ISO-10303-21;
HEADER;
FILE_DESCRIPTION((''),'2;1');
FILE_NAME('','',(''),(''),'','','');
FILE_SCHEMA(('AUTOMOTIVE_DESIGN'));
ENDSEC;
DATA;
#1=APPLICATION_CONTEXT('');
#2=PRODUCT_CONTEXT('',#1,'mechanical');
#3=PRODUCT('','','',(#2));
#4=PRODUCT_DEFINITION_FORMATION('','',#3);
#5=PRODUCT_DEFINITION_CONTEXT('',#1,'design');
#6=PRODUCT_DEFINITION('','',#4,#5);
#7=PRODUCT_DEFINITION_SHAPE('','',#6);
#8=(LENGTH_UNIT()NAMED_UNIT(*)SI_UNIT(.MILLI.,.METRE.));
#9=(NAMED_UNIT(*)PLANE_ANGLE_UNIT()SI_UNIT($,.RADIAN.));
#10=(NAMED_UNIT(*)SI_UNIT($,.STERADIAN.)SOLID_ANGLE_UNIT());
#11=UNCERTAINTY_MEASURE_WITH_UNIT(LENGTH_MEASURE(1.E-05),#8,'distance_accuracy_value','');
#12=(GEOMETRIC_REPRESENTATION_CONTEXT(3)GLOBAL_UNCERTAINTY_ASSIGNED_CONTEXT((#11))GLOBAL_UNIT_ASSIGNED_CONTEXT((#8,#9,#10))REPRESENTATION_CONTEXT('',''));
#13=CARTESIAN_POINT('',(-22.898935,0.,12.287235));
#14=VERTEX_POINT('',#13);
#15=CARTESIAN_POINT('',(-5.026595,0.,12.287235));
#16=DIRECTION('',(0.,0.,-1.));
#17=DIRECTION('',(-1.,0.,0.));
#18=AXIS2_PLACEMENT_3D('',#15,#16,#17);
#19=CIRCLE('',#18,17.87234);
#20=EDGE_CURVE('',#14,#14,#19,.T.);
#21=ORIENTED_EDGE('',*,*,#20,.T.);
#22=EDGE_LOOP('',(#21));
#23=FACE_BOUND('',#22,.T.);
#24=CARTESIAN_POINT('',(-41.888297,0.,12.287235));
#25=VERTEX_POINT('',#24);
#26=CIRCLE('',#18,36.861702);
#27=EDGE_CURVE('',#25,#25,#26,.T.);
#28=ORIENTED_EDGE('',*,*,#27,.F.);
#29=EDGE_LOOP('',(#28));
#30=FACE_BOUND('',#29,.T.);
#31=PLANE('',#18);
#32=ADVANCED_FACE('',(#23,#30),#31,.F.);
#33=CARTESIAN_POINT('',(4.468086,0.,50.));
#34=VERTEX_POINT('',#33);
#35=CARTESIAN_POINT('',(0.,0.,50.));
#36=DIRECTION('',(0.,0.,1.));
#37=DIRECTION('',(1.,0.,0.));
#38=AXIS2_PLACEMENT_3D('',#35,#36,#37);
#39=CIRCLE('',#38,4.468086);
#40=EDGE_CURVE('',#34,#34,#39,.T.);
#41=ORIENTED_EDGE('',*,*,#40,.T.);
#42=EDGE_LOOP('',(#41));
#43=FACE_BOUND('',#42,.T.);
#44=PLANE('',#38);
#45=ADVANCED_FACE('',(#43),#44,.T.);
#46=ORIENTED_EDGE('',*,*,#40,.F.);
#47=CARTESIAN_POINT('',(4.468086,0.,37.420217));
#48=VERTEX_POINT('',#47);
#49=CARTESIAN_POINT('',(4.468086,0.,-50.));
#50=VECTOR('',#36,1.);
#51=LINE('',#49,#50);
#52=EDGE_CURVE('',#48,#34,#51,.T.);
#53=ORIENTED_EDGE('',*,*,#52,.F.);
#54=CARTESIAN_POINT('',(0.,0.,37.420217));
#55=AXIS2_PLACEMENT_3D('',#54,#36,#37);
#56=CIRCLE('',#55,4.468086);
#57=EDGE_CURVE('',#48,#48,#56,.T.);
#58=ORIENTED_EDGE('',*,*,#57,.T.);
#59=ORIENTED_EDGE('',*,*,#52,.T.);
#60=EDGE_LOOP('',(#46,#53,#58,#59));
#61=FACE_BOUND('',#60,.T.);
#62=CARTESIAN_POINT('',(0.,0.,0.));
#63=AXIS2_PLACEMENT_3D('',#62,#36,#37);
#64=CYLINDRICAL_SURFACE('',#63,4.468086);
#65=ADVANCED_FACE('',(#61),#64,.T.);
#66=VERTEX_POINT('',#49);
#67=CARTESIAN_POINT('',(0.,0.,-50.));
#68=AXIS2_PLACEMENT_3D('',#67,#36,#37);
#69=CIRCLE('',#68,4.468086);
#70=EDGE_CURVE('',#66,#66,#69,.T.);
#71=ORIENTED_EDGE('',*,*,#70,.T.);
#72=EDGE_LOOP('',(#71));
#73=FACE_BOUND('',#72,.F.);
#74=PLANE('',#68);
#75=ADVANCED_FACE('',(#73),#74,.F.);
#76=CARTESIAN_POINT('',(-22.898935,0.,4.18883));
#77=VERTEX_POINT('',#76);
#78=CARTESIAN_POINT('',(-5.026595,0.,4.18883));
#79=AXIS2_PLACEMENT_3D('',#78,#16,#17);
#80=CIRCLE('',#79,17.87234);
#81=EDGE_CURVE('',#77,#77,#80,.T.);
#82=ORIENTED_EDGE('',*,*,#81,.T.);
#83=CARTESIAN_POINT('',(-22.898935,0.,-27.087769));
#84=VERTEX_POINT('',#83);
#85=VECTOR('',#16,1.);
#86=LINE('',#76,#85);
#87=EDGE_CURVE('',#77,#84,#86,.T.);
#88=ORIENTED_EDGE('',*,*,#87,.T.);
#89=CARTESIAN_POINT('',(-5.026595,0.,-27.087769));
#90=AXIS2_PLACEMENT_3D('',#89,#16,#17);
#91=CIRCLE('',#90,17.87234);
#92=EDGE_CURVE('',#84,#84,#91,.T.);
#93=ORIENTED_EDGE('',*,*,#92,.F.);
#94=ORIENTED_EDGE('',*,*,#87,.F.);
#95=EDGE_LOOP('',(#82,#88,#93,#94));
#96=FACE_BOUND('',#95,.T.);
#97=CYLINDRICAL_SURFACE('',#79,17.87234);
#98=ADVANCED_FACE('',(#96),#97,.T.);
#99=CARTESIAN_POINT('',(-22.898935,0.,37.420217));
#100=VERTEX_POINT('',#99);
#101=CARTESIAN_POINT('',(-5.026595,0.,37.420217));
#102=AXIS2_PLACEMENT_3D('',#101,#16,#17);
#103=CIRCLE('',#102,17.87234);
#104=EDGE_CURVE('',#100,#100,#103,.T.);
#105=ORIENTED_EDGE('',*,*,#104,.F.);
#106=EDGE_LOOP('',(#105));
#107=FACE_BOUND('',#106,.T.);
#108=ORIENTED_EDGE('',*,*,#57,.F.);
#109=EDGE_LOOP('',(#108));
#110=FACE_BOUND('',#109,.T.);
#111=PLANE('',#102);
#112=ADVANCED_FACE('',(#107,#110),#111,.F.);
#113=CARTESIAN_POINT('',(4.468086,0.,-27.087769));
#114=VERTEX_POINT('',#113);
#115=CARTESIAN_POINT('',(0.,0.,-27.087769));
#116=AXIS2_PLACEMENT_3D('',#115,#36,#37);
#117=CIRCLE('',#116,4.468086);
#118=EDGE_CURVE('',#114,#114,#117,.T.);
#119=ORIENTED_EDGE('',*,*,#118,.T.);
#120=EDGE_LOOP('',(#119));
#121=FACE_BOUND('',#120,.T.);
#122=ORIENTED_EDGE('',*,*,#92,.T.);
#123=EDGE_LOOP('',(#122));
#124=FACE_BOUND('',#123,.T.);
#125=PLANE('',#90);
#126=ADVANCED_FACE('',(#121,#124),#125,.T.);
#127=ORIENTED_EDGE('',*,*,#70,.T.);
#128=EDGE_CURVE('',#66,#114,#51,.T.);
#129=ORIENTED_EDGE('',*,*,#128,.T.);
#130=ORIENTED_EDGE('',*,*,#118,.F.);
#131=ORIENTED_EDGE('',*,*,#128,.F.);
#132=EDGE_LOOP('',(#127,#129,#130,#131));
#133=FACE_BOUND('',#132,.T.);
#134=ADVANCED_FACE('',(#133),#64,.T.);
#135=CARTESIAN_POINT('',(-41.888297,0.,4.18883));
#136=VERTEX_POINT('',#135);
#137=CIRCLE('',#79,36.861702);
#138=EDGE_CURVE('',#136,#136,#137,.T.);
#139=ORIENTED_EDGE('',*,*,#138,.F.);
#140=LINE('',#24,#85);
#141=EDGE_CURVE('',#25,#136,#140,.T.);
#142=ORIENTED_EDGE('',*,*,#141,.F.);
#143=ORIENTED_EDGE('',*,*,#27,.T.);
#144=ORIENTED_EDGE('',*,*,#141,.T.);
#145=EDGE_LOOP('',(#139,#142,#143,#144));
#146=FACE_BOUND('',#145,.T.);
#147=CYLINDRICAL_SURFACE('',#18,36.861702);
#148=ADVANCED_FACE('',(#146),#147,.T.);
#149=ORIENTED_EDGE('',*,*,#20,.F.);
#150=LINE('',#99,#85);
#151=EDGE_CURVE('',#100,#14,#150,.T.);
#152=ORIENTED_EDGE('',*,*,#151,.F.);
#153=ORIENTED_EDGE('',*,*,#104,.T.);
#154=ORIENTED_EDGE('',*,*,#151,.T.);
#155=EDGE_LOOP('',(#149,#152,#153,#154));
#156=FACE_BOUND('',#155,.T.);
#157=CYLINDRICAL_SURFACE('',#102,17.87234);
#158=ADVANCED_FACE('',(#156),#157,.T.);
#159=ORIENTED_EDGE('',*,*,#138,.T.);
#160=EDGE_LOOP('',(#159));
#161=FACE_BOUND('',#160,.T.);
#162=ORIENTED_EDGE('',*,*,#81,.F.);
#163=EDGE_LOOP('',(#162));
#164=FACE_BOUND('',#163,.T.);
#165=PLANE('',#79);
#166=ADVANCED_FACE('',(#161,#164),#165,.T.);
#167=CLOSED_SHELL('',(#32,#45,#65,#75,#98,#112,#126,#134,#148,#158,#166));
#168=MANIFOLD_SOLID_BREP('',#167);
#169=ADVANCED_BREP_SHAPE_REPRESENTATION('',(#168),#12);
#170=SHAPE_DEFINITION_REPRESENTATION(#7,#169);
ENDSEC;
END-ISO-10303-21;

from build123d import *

# Parameters (mm, degrees)
F0_R     = 4.468086
F1_DEPTH = 50


with BuildPart() as f1:
    # F0 (on Top) → F1 (new body, symmetric)
    with BuildSketch(Plane.XY):
        Circle(F0_R)
    extrude(amount=F1_DEPTH, both=True)

    # F2 (on Front) → F3 (revolve)
    with BuildSketch(Plane.XZ):
        Polygon((-5.026595, -27.087769), (-5.026595, 37.420217), (-22.898935, 37.420217), (-22.898935, 12.287235), (-41.888297, 12.287235), (-41.888297, 4.18883), (-22.898935, 4.18883), (-22.898935, -27.087769), align=None)
    revolve(axis=Axis((-5.026595, 0, 5.166224), (0, 0, -1)))


solid = f1.part
